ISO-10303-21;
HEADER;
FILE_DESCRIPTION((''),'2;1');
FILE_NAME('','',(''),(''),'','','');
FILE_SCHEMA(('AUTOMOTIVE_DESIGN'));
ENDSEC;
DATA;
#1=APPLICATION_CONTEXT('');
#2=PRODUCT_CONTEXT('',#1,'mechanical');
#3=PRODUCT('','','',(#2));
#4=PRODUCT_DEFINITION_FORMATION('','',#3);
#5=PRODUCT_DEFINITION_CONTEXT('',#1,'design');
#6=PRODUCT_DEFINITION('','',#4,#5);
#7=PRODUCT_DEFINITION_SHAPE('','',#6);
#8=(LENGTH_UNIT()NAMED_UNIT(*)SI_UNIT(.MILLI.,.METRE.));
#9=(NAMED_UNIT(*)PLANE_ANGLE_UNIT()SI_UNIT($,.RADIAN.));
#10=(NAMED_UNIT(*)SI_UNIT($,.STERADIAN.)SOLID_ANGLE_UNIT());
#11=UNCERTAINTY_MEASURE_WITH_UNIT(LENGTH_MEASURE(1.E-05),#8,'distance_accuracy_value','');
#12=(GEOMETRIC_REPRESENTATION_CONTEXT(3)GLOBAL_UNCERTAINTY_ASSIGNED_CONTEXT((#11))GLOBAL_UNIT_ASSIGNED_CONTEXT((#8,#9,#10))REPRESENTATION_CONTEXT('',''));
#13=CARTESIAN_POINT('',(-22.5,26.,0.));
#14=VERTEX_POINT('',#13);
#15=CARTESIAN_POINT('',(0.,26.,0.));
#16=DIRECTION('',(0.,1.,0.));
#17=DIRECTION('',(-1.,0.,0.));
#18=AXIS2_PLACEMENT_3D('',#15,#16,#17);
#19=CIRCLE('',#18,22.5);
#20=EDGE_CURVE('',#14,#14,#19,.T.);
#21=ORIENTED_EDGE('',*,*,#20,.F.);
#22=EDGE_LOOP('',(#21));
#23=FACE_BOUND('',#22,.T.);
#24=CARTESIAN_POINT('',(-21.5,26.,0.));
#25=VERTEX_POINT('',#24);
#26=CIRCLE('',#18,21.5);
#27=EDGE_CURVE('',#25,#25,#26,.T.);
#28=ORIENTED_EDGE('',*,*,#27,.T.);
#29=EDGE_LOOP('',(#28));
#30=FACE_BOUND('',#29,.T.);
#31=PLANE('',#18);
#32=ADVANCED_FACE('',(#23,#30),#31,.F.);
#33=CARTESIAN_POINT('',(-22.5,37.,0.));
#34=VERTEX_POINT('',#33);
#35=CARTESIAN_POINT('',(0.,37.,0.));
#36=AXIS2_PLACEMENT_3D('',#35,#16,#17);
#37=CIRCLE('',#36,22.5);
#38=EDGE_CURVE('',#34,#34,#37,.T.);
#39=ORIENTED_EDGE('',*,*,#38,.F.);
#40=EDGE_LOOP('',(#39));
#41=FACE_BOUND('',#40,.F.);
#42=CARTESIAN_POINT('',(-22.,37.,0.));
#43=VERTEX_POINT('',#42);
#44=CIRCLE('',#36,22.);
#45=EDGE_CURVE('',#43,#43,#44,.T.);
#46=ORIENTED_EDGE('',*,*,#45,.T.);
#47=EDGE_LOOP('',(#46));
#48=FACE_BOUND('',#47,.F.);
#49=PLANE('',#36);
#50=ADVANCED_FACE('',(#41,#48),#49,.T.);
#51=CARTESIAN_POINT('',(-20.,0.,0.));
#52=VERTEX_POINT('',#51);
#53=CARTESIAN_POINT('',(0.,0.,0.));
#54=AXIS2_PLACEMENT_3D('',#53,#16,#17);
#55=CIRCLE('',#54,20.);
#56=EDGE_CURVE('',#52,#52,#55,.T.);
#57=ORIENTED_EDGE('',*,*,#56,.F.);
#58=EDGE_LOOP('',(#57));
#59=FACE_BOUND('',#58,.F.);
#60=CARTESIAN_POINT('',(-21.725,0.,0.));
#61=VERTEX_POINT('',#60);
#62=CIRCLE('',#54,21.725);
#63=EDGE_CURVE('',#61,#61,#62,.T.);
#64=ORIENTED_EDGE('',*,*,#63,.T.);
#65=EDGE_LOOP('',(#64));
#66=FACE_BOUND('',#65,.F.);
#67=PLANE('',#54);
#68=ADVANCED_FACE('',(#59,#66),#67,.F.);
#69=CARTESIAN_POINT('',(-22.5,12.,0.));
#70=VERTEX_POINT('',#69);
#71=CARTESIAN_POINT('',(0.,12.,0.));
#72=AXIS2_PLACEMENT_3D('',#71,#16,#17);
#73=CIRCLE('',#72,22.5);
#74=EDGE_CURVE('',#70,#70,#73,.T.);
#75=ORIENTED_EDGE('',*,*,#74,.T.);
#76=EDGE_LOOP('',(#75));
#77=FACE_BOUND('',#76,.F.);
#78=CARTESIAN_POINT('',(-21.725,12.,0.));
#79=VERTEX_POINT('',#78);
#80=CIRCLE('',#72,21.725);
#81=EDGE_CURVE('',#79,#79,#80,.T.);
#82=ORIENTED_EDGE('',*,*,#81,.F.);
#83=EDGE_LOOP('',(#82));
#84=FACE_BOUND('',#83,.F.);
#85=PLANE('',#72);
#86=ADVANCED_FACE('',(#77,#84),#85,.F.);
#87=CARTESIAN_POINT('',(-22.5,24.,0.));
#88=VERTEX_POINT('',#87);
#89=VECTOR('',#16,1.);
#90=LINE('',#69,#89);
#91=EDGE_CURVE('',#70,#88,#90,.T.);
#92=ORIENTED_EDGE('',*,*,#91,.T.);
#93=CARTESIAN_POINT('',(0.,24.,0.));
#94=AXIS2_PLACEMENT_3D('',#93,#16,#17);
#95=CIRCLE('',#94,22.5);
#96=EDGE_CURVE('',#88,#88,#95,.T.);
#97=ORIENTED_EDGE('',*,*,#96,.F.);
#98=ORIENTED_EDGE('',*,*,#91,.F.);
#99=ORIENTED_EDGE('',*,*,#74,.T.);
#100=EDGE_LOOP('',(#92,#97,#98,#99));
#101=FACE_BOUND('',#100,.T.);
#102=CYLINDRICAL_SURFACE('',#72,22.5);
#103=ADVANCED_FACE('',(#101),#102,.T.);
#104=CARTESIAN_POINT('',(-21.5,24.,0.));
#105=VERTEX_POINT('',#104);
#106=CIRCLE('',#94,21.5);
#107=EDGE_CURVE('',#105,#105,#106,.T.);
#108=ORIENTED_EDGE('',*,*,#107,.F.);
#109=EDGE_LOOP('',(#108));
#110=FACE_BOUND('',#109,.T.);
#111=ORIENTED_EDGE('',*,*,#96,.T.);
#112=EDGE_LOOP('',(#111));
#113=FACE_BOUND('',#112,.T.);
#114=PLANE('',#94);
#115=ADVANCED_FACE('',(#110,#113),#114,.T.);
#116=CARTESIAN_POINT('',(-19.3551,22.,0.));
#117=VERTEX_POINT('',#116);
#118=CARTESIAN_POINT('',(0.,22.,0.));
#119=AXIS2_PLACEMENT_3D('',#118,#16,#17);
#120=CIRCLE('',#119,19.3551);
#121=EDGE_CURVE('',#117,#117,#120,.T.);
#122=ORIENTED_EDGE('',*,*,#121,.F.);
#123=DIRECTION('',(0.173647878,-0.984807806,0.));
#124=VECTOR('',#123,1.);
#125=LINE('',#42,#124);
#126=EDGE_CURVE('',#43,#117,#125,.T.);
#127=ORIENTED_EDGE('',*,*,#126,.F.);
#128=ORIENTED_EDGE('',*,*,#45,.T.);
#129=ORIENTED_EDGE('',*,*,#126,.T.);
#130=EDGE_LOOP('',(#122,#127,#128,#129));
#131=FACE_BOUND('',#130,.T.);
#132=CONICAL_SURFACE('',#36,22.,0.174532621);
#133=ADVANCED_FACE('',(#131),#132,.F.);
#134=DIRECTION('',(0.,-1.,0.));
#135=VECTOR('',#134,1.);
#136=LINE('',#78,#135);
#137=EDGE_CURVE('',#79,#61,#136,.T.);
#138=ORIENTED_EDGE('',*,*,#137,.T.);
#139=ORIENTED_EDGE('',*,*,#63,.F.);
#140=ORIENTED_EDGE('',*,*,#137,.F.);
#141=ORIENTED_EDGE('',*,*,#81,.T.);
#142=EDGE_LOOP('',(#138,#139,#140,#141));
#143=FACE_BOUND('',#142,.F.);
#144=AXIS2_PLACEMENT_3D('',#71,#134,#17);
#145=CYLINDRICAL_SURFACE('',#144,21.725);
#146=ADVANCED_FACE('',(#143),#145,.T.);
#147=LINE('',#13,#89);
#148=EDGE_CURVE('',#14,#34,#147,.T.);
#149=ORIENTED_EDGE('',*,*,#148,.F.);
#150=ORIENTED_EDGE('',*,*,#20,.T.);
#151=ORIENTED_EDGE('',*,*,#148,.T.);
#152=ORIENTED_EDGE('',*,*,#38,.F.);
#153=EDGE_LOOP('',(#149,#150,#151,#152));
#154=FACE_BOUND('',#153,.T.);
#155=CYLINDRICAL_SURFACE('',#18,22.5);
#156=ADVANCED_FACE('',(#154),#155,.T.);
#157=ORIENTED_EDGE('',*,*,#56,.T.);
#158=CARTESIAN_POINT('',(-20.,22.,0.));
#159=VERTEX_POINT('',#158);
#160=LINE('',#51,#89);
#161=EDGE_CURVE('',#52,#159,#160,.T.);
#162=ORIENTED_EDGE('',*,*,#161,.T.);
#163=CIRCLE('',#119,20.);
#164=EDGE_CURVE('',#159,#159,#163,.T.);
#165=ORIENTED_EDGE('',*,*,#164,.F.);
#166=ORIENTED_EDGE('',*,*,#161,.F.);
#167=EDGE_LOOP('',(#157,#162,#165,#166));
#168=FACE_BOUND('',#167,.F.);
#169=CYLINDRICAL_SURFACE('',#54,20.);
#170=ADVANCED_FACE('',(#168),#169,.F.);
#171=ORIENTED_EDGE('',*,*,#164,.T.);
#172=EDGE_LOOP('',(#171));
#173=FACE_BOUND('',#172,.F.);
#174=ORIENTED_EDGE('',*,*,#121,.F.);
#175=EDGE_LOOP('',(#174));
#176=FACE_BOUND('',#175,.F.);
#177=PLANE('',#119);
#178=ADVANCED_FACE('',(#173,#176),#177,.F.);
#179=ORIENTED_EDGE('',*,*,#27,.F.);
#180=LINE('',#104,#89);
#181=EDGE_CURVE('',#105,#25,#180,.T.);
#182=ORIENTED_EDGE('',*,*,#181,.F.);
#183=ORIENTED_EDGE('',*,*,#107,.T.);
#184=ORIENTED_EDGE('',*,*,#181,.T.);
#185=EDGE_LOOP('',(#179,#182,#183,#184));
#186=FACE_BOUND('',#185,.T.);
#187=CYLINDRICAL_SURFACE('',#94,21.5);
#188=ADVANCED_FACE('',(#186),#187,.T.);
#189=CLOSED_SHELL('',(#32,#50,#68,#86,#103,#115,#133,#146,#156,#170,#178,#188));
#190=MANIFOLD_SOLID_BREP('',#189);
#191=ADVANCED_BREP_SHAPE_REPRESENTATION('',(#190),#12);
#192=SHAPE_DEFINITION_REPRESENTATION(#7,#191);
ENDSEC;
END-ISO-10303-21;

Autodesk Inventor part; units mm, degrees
ref_plane "YZ Plane" through (0, 0, 0) normal (1, 0, 0) x (0, 1, 0)
ref_plane "XZ Plane" through (0, 0, 0) normal (0, 1, 0) x (-1, 0, 0)
ref_plane "XY Plane" through (0, 0, 0) normal (0, 0, 1) x (1, 0, 0)
sketch "Sketch1" plane through (0, 0, 0) normal (0, 0, 1) x (1, 0, 0)
  line L0 (-21.725, -10) -> (-22.225, -10) construction
  line L1 (-22.225, -10) -> (-22.225, 0) construction
  line L2 (-22.225, 0) -> (-21.725, 0) construction
  line L3 (-21.725, 0) -> (-21.725, -10) construction
  line L4 (-22, 37) -> (-19.3551, 22)
  line L5 (-22.5, 12) -> (-22.5, 24)
  line L6 (-22.5, 24) -> (-21.5, 24)
  line L7 (-21.5, 24) -> (-21.5, 26)
  line L8 (-21.5, 26) -> (-22.5, 26)
  line L9 (-22.5, 26) -> (-22.5, 37)
  line L10 (-22, 37) -> (-22.5, 37)
  line L11 (0, -19.4) -> (0, 46.4) projected
  line L12 (-20, 22) -> (-19.3551, 22)
  line L13 (-22.5, 12) -> (-21.725, 12)
  line L14 (-21.725, 12) -> (-21.725, 0)
  line L15 (-21.725, 0) -> (-20, 0)
  line L16 (-20, 0) -> (-20, 22)
  point P0 (0, 0)
  dimension "d0" = 10
  dimension "d1" = 22.225
  dimension "d3" = 0.5
  dimension "d5" = 11
  dimension "d6" = 2
  dimension "d7" = 22.5
  dimension "d12" = 1
  dimension "d18" = 0.5
  dimension "d19" = 10
  dimension "d20" = 15
  dimension "d21" = 12
  dimension "d22" = 37
  dimension "d24" = 20
revolve "Revolution1" add sketch "Sketch1" angle 360 about axis through (0, -10, 0) along (0, 1, 0)
properties part number "CapConeThin" material "Brass"
